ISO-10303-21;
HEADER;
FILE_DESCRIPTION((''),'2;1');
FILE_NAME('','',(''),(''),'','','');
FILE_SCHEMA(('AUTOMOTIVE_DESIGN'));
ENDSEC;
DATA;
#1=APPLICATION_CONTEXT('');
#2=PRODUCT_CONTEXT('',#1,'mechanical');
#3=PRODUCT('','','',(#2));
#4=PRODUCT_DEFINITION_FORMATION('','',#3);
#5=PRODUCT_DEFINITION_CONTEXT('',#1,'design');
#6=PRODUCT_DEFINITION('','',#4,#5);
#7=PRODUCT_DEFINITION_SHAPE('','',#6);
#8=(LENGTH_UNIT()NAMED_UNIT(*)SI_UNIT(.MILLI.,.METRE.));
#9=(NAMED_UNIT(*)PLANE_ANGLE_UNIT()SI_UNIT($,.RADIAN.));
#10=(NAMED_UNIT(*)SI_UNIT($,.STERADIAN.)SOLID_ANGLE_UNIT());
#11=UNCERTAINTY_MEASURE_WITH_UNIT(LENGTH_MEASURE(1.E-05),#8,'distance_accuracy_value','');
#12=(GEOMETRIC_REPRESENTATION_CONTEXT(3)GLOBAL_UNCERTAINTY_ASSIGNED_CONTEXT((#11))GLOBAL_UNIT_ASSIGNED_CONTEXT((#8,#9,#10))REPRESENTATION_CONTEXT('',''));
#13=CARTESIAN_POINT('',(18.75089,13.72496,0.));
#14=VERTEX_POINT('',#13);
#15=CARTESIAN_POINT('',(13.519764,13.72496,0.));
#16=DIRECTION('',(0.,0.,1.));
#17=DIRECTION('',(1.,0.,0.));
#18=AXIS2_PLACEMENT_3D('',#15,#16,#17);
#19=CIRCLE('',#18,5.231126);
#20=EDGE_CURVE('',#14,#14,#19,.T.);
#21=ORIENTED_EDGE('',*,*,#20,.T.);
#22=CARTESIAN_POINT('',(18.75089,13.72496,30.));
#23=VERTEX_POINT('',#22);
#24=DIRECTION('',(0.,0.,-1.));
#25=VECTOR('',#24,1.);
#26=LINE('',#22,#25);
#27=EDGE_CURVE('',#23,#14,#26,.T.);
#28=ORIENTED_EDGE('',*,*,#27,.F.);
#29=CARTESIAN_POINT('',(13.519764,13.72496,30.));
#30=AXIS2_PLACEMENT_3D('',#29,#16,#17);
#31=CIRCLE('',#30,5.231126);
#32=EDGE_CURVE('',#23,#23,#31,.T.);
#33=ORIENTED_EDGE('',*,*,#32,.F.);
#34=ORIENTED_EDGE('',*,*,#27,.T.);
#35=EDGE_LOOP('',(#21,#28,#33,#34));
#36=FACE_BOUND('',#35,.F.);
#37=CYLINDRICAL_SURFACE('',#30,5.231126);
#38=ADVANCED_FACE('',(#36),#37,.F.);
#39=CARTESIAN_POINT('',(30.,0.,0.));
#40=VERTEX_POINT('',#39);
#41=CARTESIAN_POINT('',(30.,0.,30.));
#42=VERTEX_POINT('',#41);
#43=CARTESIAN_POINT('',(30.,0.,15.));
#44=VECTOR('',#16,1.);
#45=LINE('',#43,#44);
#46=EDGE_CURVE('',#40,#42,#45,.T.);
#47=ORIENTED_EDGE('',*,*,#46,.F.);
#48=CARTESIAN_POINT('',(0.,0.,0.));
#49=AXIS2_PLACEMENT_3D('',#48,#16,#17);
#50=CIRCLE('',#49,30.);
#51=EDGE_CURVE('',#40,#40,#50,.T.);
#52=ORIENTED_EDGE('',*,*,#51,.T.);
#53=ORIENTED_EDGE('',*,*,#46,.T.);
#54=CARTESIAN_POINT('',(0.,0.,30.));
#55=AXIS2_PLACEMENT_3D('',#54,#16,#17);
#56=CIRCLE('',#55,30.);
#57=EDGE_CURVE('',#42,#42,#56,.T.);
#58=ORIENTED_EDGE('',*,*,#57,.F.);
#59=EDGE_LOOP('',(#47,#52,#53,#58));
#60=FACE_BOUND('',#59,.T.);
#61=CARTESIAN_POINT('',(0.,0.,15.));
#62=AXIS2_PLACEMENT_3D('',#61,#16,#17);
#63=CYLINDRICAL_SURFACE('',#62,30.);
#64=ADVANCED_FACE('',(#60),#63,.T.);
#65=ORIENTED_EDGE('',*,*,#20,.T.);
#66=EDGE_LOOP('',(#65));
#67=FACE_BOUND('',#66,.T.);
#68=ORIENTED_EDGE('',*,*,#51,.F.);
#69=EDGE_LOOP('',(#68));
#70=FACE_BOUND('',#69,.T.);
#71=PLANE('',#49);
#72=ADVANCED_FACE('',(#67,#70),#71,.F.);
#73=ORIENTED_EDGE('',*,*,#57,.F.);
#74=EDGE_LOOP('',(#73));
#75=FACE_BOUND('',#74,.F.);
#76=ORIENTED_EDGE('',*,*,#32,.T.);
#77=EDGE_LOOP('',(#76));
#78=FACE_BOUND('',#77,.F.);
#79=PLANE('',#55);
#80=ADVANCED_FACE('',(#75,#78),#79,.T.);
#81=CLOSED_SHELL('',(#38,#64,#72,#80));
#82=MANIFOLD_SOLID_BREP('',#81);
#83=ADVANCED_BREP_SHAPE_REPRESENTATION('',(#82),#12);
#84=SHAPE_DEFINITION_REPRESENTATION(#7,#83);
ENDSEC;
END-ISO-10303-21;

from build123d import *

# Parameters (mm, degrees)
F0_W     = 30
F0_H     = 30
F2_R     = 5.231126
F3_DEPTH = 46.476029


with BuildPart() as f1:
    # F0 (on Front) → F1 (revolve)
    with BuildSketch(Plane.XZ):
        with Locations((15, 15)):
            Rectangle(F0_W, F0_H)
    revolve(axis=Axis((0, 0, 15), (0, 0, 1)))

    # F2 (on face) → F3 (cut)
    with BuildSketch(Plane.XY.offset(30)):
        with Locations((13.519764, 13.72496)):
            Circle(F2_R)
    extrude(amount=-F3_DEPTH, mode=Mode.SUBTRACT)


solid = f1.part
